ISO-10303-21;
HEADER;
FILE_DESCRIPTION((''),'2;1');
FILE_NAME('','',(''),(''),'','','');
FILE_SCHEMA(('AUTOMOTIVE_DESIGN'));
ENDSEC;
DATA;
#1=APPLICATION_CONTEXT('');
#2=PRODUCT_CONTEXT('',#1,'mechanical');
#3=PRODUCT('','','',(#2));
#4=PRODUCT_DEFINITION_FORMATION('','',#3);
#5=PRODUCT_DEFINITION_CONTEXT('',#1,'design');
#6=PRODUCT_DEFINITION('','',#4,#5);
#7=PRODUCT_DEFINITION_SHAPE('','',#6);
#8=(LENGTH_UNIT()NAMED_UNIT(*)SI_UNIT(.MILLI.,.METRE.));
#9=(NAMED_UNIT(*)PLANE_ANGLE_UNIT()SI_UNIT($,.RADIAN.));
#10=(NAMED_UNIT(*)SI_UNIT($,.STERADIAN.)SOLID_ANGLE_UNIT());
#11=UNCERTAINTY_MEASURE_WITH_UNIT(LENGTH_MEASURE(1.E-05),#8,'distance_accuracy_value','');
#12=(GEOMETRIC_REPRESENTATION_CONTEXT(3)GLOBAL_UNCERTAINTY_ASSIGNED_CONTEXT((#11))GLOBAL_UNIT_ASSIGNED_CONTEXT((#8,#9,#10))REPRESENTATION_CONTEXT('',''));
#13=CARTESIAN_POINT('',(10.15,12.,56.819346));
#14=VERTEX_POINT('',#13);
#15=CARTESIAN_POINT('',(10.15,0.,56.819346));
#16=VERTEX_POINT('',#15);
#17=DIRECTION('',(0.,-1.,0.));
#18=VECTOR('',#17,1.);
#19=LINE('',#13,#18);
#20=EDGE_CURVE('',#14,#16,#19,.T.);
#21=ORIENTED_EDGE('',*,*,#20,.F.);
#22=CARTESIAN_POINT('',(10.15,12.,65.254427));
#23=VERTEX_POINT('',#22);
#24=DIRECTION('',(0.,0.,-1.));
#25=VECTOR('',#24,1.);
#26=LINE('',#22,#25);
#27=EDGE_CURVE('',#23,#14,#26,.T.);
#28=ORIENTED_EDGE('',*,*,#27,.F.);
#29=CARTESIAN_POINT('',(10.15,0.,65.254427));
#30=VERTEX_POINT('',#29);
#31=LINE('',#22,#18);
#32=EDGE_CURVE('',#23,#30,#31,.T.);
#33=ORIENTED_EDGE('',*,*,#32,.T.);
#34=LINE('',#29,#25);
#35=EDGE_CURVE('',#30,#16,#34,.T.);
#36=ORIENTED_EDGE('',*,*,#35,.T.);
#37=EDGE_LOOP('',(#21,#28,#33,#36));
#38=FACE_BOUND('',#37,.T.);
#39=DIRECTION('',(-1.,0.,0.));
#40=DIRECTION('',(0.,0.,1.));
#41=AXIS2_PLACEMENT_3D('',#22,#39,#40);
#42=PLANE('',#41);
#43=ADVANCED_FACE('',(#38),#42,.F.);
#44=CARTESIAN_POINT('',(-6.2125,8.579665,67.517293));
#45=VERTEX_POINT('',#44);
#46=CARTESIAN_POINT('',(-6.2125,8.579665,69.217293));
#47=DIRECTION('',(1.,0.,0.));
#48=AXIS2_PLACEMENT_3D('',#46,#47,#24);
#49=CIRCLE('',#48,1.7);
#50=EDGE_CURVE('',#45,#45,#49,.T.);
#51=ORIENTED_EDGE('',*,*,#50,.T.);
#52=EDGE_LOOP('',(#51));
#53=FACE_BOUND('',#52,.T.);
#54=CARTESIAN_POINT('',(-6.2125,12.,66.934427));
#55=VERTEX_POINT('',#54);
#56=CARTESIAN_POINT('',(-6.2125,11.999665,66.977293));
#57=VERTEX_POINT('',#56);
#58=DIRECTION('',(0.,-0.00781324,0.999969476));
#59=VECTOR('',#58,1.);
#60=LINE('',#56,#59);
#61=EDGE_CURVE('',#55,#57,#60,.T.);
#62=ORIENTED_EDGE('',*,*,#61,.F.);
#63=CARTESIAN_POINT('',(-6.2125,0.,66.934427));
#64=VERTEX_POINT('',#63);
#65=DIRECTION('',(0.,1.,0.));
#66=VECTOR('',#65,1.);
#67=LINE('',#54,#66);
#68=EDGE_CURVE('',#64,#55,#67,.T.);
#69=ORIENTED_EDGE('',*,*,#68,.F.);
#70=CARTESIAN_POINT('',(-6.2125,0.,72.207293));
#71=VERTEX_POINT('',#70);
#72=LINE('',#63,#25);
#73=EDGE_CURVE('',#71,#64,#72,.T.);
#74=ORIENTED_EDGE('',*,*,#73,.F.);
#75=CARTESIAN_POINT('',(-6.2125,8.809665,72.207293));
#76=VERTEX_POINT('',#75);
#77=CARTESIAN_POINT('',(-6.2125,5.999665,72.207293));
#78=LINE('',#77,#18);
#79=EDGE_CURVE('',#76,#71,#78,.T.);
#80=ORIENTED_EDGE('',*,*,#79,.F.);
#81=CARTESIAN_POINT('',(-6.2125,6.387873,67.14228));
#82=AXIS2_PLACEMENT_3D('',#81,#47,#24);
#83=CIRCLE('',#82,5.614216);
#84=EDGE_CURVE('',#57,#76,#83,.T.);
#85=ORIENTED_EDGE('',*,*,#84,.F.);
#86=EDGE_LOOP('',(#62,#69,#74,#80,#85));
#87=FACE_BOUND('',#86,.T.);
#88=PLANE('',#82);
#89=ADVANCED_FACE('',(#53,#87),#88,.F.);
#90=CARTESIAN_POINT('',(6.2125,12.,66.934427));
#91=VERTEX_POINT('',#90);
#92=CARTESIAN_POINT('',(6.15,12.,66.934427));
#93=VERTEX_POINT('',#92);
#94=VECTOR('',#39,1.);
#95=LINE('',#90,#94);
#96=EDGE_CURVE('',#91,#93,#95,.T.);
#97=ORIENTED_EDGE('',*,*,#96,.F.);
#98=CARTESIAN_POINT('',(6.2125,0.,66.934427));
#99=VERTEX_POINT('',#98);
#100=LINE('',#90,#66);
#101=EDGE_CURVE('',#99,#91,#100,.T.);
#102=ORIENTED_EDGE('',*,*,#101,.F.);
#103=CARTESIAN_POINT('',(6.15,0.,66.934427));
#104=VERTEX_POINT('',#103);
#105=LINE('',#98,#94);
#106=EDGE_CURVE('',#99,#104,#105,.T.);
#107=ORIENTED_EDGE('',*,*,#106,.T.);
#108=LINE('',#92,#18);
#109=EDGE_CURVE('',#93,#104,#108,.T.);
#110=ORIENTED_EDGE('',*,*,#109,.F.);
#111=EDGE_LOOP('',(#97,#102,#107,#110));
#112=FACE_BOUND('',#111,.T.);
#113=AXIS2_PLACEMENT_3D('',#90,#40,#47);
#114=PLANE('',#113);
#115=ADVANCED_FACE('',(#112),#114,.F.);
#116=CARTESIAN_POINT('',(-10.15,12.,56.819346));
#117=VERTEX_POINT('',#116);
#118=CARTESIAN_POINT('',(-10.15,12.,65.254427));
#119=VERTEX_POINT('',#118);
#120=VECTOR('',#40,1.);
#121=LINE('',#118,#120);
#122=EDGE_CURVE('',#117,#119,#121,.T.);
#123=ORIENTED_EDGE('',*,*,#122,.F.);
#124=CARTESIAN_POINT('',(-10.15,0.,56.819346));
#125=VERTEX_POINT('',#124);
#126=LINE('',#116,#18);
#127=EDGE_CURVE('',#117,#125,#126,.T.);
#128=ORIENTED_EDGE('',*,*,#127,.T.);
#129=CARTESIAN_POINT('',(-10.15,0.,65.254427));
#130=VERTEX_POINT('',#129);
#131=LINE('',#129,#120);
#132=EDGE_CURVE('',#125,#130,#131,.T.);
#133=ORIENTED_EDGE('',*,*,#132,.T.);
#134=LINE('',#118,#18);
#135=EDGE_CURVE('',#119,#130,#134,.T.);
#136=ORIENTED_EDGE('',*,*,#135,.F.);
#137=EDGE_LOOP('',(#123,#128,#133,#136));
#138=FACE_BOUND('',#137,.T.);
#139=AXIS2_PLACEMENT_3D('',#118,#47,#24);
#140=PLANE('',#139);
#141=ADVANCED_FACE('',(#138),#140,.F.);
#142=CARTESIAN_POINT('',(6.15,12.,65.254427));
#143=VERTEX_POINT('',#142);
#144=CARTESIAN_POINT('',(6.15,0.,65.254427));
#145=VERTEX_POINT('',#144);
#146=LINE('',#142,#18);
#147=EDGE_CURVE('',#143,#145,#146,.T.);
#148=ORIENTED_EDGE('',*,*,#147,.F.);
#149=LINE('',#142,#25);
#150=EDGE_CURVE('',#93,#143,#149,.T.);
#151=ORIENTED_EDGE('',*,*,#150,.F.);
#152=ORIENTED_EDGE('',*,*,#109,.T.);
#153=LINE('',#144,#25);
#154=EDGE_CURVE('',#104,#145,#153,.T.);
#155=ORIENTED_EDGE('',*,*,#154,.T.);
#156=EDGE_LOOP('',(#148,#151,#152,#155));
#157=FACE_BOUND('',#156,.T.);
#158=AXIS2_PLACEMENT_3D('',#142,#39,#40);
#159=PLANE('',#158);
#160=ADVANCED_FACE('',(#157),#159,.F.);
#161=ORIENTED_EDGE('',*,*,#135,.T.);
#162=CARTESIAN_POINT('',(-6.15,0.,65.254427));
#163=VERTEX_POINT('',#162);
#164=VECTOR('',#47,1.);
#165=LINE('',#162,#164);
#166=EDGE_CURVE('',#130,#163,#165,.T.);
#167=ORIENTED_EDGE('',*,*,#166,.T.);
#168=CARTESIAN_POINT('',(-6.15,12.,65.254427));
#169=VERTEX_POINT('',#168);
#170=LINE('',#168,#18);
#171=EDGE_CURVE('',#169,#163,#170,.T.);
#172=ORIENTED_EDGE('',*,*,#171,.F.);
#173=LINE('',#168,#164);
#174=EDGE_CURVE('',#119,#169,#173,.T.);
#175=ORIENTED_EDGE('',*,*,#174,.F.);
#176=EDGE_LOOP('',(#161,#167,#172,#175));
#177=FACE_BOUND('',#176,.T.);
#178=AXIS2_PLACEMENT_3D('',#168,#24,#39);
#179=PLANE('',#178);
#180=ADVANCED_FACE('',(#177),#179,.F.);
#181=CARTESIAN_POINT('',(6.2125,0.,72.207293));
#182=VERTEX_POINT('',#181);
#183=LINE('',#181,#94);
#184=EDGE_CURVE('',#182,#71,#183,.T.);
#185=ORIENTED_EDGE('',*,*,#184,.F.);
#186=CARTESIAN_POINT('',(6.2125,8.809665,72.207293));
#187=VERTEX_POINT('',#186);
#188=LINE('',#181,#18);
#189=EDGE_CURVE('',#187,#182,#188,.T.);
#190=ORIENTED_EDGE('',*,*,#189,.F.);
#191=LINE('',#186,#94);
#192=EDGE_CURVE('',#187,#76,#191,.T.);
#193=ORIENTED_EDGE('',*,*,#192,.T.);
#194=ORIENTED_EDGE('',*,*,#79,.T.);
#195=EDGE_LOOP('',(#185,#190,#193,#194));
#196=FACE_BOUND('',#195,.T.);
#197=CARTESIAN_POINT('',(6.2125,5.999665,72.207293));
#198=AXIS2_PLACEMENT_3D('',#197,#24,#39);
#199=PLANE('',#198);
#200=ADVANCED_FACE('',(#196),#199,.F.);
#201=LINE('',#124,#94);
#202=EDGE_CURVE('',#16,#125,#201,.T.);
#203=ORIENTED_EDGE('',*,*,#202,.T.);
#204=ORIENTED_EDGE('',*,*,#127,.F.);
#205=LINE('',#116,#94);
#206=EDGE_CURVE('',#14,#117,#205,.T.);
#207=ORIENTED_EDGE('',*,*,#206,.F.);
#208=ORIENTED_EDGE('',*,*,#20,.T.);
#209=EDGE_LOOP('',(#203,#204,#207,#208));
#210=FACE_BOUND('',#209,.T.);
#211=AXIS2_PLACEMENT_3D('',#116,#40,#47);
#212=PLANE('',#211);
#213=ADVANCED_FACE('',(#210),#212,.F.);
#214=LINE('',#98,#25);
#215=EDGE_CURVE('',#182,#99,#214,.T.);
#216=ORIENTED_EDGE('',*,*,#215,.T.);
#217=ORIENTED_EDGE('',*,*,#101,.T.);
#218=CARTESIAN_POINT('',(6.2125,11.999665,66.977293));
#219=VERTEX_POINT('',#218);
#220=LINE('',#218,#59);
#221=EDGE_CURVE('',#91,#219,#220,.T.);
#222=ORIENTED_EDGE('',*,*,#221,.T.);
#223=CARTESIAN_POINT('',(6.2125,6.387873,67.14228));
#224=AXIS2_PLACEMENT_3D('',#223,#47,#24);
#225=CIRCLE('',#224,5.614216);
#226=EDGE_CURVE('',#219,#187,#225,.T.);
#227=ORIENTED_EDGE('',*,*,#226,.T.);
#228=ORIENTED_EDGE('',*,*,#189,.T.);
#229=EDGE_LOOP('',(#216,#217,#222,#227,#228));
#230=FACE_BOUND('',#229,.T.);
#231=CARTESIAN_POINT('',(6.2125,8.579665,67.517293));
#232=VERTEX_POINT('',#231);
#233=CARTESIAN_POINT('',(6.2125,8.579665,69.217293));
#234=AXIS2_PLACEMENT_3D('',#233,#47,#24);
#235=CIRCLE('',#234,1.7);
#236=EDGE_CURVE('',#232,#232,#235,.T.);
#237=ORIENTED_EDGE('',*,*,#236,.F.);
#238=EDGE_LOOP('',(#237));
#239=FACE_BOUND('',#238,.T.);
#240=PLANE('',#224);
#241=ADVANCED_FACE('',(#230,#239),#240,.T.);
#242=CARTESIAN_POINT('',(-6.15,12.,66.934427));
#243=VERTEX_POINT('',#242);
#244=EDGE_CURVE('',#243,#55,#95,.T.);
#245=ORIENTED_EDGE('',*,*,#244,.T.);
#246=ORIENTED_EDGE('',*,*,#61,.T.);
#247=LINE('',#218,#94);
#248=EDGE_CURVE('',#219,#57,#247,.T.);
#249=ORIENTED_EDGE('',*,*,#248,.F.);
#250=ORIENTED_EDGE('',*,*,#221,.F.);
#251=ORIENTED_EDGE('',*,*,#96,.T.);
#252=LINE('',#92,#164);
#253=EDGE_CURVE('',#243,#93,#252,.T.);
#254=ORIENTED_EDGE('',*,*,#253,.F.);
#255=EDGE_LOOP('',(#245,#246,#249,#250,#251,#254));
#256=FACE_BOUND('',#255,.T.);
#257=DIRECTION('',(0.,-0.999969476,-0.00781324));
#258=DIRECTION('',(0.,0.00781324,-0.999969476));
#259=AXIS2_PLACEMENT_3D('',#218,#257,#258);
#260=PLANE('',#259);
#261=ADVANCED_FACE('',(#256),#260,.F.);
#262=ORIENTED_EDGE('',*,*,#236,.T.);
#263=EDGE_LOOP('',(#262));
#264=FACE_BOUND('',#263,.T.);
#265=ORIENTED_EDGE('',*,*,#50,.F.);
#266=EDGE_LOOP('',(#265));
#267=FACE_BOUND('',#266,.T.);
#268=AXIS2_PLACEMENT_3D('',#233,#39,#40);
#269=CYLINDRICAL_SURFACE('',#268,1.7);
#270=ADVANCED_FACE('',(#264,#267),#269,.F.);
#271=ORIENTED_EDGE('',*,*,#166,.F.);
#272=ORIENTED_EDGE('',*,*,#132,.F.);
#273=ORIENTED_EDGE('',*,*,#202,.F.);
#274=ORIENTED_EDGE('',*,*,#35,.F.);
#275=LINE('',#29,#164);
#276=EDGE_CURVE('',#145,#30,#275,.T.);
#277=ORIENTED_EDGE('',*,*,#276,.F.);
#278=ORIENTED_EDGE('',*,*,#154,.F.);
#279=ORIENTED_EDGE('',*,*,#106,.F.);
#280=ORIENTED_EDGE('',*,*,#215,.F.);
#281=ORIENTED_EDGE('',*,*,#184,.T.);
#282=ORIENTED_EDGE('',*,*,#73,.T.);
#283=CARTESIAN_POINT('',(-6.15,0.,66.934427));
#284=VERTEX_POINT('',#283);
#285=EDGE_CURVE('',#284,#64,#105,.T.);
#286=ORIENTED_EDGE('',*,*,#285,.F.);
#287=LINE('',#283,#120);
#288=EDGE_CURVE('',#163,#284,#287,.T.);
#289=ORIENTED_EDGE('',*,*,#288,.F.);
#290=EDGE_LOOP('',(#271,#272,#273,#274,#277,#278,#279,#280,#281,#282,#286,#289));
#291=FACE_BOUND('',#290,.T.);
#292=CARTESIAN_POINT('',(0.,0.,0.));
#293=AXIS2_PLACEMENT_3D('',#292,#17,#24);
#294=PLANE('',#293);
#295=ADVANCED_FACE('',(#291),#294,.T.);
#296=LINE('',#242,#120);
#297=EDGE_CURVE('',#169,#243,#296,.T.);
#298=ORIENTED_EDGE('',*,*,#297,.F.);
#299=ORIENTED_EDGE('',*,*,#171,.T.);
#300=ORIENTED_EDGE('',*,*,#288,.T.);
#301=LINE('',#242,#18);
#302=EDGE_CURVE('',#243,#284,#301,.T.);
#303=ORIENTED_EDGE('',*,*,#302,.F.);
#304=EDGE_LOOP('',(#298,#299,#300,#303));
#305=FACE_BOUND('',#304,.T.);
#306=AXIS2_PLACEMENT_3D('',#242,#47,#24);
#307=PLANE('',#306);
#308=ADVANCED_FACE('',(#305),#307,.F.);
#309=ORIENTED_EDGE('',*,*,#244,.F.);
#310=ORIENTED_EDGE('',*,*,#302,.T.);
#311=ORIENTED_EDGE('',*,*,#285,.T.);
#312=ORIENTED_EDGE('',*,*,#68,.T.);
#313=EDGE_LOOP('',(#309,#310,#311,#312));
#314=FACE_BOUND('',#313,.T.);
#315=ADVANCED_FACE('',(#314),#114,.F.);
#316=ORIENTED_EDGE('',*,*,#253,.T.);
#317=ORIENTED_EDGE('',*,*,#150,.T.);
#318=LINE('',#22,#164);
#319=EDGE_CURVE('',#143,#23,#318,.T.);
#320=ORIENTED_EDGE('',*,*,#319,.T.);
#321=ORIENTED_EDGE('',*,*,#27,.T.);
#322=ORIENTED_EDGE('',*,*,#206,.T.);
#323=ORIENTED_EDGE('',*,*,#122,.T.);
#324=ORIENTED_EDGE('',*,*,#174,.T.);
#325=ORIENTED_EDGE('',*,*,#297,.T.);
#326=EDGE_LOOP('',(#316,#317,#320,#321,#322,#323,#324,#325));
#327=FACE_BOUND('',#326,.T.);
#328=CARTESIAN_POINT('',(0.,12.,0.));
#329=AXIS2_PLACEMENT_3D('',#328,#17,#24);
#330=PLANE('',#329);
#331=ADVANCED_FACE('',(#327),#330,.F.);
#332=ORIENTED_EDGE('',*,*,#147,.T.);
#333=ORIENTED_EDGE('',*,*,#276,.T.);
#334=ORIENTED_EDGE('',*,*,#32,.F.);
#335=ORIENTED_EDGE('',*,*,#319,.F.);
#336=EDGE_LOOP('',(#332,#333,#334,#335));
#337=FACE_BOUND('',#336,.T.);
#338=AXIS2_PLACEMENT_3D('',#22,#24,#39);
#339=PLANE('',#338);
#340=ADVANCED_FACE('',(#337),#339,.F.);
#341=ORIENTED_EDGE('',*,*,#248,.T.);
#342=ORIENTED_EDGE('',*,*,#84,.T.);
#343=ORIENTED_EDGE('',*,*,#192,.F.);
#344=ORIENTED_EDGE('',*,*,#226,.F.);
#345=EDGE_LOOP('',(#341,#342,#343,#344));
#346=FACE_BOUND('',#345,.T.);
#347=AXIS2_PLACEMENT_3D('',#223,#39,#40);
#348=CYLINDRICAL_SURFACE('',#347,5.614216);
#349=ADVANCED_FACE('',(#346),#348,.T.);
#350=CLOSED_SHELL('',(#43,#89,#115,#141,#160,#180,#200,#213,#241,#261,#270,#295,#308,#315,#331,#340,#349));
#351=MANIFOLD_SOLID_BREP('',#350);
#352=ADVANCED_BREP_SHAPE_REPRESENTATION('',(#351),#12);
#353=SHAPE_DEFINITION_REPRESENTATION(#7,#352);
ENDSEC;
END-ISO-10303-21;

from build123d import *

# Parameters (mm, degrees)
BOSS_EXTRUDE1_DEPTH = 12
SKETCH2_R           = 1.7
BOSS_EXTRUDE2_DEPTH = 6.2125


with BuildPart() as part:
    # Sketch1 → Boss-Extrude1 (new body)
    with BuildSketch(Plane(origin=(0, 0, 0), x_dir=(1, 0, 0), z_dir=(0, 1, 0))):
        Polygon((10.15, -65.254427144), (6.15, -65.254427144), (6.15, -66.934427144), (-6.15, -66.934427144), (-6.15, -65.254427144), (-10.15, -65.254427144), (-10.15, -56.819346079), (10.15, -56.819346079), align=None)
    extrude(amount=BOSS_EXTRUDE1_DEPTH)

    # Sketch2 → Boss-Extrude2 (add, symmetric)
    with BuildSketch(Plane(origin=(0, 0, 0), x_dir=(0, 0, -1), z_dir=(1, 0, 0))):
        with BuildLine():
            Line((-72.207292933, 5.999665069), (-72.207292933, 8.809665069))
            ThreePointArc((-72.207292933, 8.809665069), (-70.065734946, 11.180872507), (-66.977292933, 11.999665069))
            Line((-66.977292933, 11.999665069), (-66.934427144, 12))
            Line((-66.934427144, 12), (-66.934427144, 0))
            Line((-66.934427144, 0), (-72.207292933, 0))
            Line((-72.207292933, 0), (-72.207292933, 5.999665069))
        make_face()
        with Locations((-69.217292933, 8.579665069)):
            Circle(SKETCH2_R, mode=Mode.SUBTRACT)
    extrude(amount=BOSS_EXTRUDE2_DEPTH, both=True)


solid = part.part
